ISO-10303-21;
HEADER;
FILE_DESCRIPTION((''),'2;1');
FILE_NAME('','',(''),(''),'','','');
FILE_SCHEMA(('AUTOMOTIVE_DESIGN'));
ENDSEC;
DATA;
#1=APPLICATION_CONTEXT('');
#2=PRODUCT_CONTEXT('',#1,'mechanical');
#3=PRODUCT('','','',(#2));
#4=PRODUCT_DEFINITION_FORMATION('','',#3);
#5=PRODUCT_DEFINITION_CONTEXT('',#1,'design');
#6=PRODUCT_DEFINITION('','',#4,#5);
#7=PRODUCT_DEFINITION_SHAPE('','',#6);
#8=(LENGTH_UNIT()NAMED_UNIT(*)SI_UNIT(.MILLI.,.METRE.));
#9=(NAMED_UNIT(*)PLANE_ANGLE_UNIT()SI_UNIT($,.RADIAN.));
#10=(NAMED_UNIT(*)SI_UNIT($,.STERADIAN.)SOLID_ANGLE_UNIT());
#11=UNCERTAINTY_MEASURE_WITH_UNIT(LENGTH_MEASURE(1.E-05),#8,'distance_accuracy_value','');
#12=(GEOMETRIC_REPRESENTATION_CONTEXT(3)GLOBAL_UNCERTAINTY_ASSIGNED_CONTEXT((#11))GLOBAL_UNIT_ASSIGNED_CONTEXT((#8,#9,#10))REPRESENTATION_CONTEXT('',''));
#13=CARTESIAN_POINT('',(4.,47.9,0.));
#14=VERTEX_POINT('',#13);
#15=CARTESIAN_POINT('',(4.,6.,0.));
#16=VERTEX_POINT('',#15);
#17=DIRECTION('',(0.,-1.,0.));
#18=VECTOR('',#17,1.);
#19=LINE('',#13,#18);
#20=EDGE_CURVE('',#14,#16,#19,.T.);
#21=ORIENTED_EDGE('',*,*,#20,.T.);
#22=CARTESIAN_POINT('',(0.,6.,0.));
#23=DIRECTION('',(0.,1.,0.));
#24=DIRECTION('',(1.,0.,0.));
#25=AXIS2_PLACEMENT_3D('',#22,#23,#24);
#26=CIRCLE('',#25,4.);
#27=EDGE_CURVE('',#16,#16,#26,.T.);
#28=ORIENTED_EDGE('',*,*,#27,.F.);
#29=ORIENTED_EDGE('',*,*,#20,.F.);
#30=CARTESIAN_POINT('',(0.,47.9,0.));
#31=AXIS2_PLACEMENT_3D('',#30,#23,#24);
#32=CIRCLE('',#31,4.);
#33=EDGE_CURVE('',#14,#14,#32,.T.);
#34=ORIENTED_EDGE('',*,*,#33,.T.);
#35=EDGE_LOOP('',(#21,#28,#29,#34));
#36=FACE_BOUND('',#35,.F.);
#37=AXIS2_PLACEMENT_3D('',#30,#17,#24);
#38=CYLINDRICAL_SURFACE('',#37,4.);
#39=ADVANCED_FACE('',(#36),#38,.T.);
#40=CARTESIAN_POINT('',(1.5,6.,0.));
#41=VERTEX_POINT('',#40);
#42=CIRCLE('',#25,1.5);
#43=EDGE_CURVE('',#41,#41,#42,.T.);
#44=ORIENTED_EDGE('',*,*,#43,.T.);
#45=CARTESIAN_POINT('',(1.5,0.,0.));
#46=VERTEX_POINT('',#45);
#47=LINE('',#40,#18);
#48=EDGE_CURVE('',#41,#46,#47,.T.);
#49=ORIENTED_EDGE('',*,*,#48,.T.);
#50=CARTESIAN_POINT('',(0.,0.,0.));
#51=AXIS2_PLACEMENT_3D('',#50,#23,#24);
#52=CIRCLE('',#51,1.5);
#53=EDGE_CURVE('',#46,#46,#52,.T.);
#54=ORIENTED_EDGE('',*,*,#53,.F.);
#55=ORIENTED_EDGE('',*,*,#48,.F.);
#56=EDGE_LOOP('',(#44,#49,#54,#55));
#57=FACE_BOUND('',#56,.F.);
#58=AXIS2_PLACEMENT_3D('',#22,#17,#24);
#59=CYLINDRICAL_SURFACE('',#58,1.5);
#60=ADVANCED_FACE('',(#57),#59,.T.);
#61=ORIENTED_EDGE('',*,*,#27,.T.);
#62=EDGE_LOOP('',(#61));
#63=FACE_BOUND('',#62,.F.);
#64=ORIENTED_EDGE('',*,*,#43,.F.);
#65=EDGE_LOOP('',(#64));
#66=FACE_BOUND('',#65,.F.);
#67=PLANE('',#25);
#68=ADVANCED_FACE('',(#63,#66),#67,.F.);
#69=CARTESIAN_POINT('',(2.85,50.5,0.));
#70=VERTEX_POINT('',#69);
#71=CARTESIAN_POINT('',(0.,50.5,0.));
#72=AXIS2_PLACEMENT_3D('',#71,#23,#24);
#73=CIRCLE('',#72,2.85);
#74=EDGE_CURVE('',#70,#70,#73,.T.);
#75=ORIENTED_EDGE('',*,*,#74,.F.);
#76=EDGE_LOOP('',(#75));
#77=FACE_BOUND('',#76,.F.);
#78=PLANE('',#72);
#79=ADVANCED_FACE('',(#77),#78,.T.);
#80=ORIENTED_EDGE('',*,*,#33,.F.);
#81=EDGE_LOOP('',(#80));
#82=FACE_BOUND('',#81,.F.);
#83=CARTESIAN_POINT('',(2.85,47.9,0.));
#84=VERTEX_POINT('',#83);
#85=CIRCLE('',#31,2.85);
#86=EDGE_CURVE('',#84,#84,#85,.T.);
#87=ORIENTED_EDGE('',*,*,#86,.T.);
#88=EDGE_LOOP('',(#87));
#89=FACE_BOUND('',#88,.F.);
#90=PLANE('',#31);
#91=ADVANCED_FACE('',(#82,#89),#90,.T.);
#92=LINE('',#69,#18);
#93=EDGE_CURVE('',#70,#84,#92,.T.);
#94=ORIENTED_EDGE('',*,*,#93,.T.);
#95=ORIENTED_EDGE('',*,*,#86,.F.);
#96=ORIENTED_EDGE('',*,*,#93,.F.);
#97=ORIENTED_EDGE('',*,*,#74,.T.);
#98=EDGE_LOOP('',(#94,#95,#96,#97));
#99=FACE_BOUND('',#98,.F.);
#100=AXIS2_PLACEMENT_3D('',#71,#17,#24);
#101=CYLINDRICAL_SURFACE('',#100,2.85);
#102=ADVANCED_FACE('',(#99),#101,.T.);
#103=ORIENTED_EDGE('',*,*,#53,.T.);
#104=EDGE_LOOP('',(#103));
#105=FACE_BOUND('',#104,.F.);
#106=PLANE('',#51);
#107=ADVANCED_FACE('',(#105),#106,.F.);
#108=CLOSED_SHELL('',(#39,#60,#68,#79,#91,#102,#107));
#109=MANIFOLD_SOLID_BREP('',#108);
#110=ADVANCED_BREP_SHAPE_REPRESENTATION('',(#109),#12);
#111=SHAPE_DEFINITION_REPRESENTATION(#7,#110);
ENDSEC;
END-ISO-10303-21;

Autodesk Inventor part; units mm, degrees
ref_plane "YZ Plane" through (0, 0, 0) normal (1, 0, 0) x (0, 1, 0)
ref_plane "XZ Plane" through (0, 0, 0) normal (0, 1, 0) x (-1, 0, 0)
ref_plane "XY Plane" through (0, 0, 0) normal (0, 0, 1) x (1, 0, 0)
sketch "Sketch1" plane through (0, 0, 0) normal (0, 0, 1) x (1, 0, 0)
  line L0 (0, 0) -> (0, 50.5)
  line L1 (0, 50.5) -> (2.85, 50.5)
  line L2 (2.85, 50.5) -> (2.85, 47.9)
  line L3 (2.85, 47.9) -> (4, 47.9)
  line L4 (4, 47.9) -> (4, 6)
  line L5 (4, 6) -> (1.5, 6)
  line L6 (1.5, 6) -> (1.5, 0)
  line L7 (1.5, 0) -> (0, 0)
  dimension "d0" = 3
  dimension "d1" = 6
  dimension "d2" = 50.5
  dimension "d3" = 5.7
  dimension "d4" = 8
  dimension "d5" = 2.6
revolve "Revolution1" add sketch "Sketch1" angle 360 about axis through (0, 0, 0) along (0, 1, 0)
properties part number "Pok X-Carriage Top Support" material "ABS Plastic"
